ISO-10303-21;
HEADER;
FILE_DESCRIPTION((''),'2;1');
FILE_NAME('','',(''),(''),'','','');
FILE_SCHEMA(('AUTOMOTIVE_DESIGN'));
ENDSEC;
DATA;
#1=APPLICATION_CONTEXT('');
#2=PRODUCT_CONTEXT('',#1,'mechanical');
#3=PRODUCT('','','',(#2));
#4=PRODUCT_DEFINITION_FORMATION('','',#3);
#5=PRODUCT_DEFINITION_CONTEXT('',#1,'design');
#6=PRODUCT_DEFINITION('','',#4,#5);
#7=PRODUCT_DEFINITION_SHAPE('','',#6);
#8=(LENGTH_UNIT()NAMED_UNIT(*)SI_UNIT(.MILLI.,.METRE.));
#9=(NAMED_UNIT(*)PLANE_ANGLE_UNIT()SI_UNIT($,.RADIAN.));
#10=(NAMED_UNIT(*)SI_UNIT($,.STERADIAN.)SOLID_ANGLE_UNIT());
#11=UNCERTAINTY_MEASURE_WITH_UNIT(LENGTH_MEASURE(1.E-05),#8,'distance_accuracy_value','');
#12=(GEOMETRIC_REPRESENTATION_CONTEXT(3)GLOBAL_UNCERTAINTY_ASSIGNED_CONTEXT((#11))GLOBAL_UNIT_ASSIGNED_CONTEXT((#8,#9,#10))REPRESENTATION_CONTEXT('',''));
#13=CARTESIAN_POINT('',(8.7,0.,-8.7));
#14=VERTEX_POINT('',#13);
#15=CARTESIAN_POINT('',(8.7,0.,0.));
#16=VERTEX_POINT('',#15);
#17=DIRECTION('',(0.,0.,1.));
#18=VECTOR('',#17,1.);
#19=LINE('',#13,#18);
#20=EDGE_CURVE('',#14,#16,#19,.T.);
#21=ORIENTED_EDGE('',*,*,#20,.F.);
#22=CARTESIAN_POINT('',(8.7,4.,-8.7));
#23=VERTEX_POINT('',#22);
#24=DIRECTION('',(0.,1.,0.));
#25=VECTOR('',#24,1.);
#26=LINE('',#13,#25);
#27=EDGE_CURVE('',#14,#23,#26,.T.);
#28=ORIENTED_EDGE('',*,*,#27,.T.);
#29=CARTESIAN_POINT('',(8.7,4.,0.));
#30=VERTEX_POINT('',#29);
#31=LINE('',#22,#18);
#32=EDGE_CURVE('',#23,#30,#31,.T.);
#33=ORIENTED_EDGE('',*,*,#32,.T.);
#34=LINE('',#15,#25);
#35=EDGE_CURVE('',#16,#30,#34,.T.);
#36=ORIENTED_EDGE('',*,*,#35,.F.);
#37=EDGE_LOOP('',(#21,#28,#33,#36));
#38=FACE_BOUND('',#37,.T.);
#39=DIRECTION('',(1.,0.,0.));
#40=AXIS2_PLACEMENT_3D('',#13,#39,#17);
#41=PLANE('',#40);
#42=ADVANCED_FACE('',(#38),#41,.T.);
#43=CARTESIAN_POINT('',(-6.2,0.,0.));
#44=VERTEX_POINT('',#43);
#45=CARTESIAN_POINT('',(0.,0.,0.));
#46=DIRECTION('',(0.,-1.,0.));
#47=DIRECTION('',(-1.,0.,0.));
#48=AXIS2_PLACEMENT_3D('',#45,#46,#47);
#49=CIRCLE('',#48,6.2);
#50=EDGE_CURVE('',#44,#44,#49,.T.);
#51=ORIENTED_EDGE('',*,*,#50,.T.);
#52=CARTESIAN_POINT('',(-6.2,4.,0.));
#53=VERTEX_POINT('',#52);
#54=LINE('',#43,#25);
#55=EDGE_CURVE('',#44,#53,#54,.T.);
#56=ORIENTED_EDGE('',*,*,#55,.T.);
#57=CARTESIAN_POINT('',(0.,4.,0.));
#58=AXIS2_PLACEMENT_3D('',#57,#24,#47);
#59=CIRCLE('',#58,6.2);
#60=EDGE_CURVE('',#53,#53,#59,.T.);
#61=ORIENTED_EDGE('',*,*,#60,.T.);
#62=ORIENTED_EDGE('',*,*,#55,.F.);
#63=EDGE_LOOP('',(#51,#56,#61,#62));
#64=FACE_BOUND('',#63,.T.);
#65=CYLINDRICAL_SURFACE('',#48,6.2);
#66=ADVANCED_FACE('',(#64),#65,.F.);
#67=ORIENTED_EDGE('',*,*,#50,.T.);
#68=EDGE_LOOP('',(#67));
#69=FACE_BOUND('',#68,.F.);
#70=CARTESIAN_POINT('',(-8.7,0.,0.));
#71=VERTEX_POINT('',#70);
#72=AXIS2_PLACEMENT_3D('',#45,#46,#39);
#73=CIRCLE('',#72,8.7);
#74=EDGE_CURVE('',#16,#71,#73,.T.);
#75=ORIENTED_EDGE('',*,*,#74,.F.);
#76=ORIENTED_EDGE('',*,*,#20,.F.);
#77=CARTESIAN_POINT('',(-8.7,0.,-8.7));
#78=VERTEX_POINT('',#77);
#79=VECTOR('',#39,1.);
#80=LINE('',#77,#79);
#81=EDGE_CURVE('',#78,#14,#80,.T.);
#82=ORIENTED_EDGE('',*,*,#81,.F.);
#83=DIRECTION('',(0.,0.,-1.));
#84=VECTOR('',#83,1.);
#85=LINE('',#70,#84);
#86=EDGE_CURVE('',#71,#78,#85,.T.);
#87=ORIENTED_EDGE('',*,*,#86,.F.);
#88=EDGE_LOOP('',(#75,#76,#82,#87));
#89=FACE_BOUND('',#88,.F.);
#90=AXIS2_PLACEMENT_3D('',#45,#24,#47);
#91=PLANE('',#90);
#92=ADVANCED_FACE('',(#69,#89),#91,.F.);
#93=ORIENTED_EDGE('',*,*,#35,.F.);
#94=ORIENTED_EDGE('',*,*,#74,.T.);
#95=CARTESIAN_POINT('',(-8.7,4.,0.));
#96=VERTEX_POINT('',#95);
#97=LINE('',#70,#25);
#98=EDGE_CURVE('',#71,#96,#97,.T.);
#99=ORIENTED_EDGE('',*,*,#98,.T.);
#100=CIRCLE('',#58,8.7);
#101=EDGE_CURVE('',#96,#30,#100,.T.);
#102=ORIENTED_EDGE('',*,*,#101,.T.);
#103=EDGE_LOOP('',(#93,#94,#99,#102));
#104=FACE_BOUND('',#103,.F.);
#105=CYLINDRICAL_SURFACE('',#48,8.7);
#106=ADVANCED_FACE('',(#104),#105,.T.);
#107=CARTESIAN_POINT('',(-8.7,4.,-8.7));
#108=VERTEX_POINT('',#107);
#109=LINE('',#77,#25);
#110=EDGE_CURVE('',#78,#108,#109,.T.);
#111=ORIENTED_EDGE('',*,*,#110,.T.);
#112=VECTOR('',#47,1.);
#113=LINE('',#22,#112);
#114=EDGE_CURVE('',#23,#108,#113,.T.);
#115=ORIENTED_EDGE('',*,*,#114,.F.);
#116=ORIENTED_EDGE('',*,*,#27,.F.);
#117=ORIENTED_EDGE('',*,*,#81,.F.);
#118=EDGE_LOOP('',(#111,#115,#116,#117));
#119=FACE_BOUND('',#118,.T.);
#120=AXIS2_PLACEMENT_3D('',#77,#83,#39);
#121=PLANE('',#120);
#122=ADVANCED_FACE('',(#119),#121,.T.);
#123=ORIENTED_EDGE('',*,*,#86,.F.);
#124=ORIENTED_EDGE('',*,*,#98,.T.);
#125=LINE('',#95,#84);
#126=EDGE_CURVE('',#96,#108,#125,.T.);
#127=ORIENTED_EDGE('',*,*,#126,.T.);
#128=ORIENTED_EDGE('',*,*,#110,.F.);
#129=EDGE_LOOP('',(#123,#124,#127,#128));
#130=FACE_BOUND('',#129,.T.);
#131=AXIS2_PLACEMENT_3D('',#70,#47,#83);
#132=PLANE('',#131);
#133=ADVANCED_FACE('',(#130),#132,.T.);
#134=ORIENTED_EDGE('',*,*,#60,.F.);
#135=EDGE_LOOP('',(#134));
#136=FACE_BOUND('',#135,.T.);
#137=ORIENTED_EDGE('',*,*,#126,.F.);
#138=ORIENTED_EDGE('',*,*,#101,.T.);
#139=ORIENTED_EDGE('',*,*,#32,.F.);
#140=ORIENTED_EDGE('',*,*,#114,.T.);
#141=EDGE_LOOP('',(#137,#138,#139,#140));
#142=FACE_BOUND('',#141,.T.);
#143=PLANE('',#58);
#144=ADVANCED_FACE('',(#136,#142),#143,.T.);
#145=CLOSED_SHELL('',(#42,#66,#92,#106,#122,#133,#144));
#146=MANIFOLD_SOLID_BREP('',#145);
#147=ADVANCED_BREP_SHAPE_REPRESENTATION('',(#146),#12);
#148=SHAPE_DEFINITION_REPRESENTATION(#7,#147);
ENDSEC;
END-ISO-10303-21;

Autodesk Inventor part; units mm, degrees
ref_plane "YZ Plane" through (0, 0, 0) normal (1, 0, 0) x (0, 1, 0)
ref_plane "XZ Plane" through (0, 0, 0) normal (0, 1, 0) x (-1, 0, 0)
ref_plane "XY Plane" through (0, 0, 0) normal (0, 0, 1) x (1, 0, 0)
sketch "Sketch1" plane through (0, 0, 0) normal (0, 1, 0) x (-1, 0, 0)
  circle A0 centre (0, 0) radius 2
  circle A1 centre (0, 0) radius 6.2
  circle A2 centre (0, 0) radius 8.7
  line L0 (12.18, 0) -> (-12.18, 0) projected
  line L1 (0, -12.18) -> (0, 12.18) projected
  line L2 (8.7, 0) -> (8.7, -8.7)
  line L3 (8.7, -8.7) -> (-8.7, -8.7)
  line L4 (-8.7, -8.7) -> (-8.7, 0)
  dimension "d0" = 4
  dimension "d1" = 12.4
  dimension "d2" = 17.4
  dimension "d3" = 17.4
extrude "Extrusion1" add sketch "Sketch1" along normal blind 4 contours L0 A2 L1 A1 | A1 L1 A2 L0 | A1 L0 A2 L1 | L1 A2 L0 A1 | L2 L3 A2 | L3 L4 A2
properties part number "borde al borde chico"
